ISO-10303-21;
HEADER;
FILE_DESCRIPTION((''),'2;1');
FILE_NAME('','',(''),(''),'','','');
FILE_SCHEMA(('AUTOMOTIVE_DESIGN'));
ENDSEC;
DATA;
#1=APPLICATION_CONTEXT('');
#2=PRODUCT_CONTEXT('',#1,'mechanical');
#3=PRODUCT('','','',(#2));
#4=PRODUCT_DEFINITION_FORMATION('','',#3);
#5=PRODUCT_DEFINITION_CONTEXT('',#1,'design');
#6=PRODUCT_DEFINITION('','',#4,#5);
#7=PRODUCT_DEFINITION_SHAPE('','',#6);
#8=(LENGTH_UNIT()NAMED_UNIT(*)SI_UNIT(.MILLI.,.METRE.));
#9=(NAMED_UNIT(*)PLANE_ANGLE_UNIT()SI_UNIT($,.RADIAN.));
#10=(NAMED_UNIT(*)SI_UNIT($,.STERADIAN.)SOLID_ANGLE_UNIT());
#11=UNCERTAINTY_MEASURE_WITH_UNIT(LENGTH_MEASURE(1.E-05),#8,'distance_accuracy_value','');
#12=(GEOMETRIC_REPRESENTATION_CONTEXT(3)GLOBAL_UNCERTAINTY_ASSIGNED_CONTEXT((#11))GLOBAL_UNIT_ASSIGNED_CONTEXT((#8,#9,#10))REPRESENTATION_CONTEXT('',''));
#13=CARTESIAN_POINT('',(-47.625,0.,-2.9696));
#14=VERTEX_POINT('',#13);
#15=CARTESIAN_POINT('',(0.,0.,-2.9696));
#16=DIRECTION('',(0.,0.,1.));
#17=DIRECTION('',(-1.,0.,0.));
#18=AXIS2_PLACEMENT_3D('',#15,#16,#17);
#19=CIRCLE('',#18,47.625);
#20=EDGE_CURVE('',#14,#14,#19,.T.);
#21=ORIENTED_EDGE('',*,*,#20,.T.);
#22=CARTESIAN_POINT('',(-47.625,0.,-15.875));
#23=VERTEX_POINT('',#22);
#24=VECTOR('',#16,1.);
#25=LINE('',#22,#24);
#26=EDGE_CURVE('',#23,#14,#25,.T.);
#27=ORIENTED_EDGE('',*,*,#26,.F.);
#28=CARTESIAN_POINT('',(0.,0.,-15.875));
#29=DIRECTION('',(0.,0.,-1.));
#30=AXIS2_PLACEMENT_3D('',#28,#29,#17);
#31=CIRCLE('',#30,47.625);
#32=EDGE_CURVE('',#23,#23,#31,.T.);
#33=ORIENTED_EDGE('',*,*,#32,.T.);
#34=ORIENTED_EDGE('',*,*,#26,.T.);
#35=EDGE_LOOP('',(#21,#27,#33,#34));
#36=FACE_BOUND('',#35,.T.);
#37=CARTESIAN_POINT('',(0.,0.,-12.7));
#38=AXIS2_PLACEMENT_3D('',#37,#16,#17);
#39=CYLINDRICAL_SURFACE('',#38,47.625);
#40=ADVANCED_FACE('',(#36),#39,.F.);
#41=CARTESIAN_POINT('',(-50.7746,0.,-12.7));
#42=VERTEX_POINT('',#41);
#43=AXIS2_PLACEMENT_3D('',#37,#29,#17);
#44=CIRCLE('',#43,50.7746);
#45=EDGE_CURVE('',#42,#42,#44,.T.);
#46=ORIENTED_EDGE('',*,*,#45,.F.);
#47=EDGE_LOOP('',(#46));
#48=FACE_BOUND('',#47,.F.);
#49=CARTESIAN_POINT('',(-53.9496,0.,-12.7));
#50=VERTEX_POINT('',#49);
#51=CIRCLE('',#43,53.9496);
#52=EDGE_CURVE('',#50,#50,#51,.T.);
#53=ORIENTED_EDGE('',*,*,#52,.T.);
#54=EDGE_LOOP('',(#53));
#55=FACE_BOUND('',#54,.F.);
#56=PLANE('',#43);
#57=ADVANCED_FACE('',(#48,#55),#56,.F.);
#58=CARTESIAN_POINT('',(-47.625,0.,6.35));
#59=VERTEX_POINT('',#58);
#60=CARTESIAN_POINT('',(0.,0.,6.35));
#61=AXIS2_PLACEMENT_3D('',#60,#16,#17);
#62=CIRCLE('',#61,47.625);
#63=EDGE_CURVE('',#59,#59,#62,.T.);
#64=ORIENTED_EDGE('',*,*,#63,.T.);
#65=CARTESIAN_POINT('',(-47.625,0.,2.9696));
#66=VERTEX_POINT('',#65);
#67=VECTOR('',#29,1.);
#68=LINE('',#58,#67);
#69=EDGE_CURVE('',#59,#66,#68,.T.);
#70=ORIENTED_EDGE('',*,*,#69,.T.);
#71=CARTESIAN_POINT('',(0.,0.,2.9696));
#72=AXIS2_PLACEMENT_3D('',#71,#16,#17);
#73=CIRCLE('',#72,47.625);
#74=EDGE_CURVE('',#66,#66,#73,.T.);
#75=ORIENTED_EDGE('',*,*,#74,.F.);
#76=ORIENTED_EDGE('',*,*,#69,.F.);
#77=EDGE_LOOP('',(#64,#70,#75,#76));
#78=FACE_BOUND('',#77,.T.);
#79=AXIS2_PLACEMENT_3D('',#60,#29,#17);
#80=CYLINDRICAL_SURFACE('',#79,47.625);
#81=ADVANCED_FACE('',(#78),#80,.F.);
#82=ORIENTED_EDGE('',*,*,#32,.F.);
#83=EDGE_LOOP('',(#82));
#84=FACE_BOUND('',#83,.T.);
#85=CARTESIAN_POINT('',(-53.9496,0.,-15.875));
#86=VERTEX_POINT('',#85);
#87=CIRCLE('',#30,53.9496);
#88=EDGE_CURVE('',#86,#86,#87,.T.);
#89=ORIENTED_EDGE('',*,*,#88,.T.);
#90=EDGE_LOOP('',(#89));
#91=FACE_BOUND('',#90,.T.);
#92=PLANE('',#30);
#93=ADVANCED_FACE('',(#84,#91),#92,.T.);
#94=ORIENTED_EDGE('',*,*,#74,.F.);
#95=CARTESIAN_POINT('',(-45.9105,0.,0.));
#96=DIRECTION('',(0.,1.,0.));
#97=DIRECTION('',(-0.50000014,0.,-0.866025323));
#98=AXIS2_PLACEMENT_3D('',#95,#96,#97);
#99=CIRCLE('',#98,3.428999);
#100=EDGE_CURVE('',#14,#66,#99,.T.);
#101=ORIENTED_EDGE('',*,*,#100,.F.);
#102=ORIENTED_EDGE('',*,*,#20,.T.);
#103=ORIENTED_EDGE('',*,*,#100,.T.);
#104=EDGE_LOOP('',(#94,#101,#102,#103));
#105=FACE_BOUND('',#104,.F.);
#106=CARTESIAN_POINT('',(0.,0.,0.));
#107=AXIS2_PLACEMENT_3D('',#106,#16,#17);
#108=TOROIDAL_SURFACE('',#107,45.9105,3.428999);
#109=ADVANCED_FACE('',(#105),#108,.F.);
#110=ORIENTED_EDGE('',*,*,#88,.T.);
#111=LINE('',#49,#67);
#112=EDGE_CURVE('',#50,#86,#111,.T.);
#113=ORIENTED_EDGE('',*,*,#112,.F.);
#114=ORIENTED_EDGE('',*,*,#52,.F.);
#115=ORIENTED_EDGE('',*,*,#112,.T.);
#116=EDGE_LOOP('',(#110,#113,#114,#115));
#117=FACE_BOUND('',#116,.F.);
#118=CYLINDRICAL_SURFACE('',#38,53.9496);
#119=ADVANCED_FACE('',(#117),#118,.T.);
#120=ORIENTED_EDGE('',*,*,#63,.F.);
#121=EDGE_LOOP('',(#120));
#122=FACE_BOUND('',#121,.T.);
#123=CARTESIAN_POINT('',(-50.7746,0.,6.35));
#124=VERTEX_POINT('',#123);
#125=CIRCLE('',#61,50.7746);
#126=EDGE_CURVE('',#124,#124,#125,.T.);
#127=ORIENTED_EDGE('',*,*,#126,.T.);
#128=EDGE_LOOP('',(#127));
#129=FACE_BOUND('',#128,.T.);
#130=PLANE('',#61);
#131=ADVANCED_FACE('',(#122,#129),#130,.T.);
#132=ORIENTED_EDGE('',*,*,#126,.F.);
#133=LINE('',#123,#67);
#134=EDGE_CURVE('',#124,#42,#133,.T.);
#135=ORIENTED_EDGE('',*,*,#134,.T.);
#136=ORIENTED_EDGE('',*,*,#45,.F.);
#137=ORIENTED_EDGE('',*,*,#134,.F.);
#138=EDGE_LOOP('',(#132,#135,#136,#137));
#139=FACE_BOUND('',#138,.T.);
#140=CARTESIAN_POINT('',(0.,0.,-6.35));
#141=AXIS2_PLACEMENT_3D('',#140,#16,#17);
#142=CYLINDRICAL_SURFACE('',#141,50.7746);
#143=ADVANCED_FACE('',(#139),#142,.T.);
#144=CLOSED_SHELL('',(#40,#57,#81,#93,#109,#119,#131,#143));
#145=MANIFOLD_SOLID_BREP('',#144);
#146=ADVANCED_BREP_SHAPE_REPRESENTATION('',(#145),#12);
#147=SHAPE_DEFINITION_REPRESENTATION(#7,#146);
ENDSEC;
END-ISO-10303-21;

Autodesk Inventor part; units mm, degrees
ref_plane "YZ Plane" through (0, 0, 0) normal (1, 0, 0) x (0, 1, 0)
ref_plane "XZ Plane" through (0, 0, 0) normal (0, 1, 0) x (-1, 0, 0)
ref_plane "XY Plane" through (0, 0, 0) normal (0, 0, 1) x (1, 0, 0)
sketch "Sketch1" plane through (0, 0, 0) normal (0, 1, 0) x (-1, 0, 0)
  line L0 (50.7746, 6.35) -> (47.625, 6.35)
  line L1 (47.625, 6.35) -> (47.625, -6.35)
  line L2 (47.625, -6.35) -> (50.7746, -6.35)
  line L3 (50.7746, -6.35) -> (50.7746, 6.35)
  arc A0 (47.625, -2.9696) -> (47.625, 2.9696) centre (45.9105, 0) ccw
  line L4 (0, -8.89) -> (0, 8.89) projected
  point P0 (0, 0)
  point P1 (50.7746, 0)
  dimension "d1" = 47.625
  dimension "d2" = 3.1496
  dimension "d3" = 6.35
  dimension "d4" = 6.35
  dimension "d5" = 1.7145
  dimension "d6" = 3.429
revolve "Revolution1" add sketch "Sketch1" angle 360 about axis through (0, 0, -10) along (0, 0, 1) contours L3 L2 L1 A0 L0
sketch "Sketch2" plane through (0, 0, -6.35) normal (0, 0, -1) x (-1, 0, 0)
  circle A0 centre (0, 0) radius 50.7746 projected
  circle A1 centre (0, 0) radius 47.625 projected
  circle A2 centre (0, 0) radius 53.9496
  dimension "d8" = 3.175
extrude "Extrusion1" add sketch "Sketch2" along normal blind 6.35 contours A0
sketch "Sketch3" plane through (0, 0, -12.7) normal (0, 0, -1) x (-1, 0, 0)
  circle A0 centre (0, 0) radius 53.9496 projected
  circle A1 centre (0, 0) radius 47.625 projected
extrude "Extrusion2" add sketch "Sketch3" along normal blind 3.175
properties part number "outer ring end stop"
